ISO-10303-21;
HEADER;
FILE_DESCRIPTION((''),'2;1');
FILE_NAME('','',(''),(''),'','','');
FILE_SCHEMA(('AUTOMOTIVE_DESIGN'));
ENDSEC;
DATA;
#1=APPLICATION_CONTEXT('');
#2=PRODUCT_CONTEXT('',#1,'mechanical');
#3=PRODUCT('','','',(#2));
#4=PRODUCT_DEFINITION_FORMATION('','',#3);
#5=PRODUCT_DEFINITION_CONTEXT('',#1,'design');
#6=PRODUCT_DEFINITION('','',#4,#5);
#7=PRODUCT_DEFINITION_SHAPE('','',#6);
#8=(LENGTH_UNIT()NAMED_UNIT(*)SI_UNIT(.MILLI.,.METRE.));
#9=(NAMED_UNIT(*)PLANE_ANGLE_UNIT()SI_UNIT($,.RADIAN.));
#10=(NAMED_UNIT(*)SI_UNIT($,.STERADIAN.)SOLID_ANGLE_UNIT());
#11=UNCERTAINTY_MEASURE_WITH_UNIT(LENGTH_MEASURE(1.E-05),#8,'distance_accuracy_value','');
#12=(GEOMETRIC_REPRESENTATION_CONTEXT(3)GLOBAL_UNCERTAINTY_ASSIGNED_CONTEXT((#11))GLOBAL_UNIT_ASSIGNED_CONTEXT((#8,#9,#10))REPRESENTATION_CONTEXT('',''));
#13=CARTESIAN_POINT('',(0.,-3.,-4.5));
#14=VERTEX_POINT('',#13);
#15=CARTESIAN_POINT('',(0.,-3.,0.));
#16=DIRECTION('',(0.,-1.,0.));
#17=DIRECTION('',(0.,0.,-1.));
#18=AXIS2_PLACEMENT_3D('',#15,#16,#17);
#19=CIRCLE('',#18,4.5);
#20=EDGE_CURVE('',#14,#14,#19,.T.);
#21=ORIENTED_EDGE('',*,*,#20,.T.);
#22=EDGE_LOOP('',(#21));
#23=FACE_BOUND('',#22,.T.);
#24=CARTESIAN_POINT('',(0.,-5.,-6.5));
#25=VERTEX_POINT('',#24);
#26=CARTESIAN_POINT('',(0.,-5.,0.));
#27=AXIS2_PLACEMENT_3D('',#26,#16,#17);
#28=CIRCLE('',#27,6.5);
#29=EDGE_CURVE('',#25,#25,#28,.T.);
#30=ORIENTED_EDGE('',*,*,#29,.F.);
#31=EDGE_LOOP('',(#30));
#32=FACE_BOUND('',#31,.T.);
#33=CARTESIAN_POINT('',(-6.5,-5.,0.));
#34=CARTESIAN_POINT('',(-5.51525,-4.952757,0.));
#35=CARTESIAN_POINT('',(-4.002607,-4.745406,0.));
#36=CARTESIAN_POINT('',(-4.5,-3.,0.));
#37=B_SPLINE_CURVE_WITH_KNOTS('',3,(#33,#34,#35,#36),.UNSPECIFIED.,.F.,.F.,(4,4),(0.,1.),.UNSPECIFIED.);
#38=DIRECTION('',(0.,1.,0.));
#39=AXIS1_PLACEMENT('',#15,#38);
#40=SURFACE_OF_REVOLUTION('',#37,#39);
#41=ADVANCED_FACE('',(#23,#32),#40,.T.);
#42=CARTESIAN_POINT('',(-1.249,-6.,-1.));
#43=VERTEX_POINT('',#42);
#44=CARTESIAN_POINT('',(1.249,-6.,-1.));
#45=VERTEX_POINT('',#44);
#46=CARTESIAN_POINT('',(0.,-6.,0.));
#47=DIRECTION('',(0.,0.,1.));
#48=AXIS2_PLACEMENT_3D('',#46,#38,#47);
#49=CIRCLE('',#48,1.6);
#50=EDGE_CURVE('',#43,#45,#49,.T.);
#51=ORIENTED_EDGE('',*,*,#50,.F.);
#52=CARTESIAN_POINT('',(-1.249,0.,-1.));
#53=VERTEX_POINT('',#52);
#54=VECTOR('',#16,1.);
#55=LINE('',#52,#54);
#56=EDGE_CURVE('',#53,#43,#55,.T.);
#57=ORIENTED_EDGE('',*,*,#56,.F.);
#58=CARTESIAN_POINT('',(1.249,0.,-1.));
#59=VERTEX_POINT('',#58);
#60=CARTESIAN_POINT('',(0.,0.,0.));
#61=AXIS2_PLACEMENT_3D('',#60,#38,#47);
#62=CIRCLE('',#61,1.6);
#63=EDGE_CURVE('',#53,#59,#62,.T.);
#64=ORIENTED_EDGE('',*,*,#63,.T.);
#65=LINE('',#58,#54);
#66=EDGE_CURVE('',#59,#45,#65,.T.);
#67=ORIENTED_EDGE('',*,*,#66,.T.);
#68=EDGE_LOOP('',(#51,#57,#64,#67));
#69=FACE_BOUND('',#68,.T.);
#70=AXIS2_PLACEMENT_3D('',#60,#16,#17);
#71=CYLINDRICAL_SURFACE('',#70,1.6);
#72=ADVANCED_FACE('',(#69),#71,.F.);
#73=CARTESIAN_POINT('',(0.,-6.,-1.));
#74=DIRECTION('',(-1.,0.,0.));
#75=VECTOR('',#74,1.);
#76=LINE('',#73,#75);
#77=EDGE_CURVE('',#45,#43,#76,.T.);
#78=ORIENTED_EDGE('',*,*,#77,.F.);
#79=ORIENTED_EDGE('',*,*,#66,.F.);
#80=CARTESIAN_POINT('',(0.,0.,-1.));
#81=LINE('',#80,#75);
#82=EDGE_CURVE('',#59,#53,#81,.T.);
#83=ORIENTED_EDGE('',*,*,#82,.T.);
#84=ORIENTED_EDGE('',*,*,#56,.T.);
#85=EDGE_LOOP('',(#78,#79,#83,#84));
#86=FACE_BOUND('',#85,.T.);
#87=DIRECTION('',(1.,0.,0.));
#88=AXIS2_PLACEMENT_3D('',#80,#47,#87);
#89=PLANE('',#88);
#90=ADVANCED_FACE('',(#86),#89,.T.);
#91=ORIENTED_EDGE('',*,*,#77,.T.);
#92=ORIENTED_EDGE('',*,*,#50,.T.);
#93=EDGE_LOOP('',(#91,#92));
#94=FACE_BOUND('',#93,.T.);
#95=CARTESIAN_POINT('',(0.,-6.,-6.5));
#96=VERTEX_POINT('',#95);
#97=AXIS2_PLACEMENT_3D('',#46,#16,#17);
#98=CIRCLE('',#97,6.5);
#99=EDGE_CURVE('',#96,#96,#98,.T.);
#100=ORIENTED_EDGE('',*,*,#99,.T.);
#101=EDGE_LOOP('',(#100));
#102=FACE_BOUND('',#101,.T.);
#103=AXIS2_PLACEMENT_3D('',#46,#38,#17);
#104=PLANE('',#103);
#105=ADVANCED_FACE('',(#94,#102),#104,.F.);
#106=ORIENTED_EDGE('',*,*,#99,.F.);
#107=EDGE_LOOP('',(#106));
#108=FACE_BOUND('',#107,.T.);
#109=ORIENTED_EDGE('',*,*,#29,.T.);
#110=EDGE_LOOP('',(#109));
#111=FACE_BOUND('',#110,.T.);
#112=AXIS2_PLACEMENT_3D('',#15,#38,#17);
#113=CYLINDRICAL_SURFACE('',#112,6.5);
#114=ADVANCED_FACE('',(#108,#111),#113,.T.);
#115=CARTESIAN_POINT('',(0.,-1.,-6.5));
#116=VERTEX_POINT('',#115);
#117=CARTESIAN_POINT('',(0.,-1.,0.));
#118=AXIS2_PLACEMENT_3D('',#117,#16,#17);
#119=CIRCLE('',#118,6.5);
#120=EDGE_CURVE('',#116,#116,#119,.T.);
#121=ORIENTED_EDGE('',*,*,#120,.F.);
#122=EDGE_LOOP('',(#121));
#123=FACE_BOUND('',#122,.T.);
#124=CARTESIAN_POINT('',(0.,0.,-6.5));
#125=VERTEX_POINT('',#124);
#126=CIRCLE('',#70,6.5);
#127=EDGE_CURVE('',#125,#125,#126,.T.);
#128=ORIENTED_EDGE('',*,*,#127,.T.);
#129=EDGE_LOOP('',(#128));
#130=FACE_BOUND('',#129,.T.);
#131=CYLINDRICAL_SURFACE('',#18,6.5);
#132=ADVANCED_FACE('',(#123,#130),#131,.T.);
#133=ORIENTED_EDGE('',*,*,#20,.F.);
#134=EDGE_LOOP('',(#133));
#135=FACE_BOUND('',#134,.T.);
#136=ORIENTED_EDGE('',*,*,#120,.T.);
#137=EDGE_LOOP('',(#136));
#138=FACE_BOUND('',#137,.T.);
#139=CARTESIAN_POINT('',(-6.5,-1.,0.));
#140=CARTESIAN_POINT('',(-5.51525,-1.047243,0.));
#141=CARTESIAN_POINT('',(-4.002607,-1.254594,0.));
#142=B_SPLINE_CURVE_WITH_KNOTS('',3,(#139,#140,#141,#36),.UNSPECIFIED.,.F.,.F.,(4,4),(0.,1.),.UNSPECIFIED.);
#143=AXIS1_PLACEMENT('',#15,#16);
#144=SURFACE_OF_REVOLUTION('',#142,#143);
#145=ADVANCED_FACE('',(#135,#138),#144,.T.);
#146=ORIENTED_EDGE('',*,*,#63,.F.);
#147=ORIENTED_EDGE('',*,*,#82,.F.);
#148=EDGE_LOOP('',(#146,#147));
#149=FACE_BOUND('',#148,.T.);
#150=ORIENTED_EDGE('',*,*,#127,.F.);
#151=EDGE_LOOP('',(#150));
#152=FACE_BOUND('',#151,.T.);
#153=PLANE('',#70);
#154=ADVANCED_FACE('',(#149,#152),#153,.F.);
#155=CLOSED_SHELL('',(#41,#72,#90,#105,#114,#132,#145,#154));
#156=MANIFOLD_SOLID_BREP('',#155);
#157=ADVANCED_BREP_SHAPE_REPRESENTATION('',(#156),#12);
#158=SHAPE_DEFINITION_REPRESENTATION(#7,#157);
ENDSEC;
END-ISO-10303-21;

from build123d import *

# Parameters (mm, degrees)
CUT_EXTRUDE1_START = -6
CUT_EXTRUDE1_DEPTH = 17.977249318


with BuildPart() as part:
    # Sketch1 → Revolve1 (revolve)
    with BuildSketch(Plane.XY, mode=Mode.PRIVATE) as revolve1_sk:
        with BuildLine():
            Line((0, 0), (-6.5, 0))
            Line((-6.5, 0), (-6.5, -1))
            add(Edge.make_bspline(
                [(-4.5, -3), (-4.002607285, -1.25459372), (-5.515250155, -1.047243271), (-6.5, -1)],
                knots=[0, 0, 0, 0, 1, 1, 1, 1], degree=3))
            Line((-4.5, -3), (0, -3))
            Line((0, -3), (0, 0))
        make_face()
    revolve1 = revolve(revolve1_sk.sketch.rotate(Axis((0, -3, 0), (0, 1, 0)), 270), axis=Axis((0, -3, 0), (0, 1, 0)))

    # Mirror1: Revolve1 across plane
    add(revolve1.mirror(Plane(origin=(-4.5, -3, 0), x_dir=(0, 0, 1), z_dir=(0, 1, 0))))

    # Sketch2 → Cut-Extrude1 (cut, through all)
    with BuildSketch(Plane(origin=(0, 0, 0), x_dir=(1, 0, 0), z_dir=(0, 1, 0)).offset(CUT_EXTRUDE1_START)):
        with BuildLine():
            Line((-1.2489996, 1), (1.2489996, 1))
            ThreePointArc((1.2489996, 1), (0, -1.6), (-1.2489996, 1))
        make_face()
    extrude(amount=CUT_EXTRUDE1_DEPTH, mode=Mode.SUBTRACT)


solid = part.part
